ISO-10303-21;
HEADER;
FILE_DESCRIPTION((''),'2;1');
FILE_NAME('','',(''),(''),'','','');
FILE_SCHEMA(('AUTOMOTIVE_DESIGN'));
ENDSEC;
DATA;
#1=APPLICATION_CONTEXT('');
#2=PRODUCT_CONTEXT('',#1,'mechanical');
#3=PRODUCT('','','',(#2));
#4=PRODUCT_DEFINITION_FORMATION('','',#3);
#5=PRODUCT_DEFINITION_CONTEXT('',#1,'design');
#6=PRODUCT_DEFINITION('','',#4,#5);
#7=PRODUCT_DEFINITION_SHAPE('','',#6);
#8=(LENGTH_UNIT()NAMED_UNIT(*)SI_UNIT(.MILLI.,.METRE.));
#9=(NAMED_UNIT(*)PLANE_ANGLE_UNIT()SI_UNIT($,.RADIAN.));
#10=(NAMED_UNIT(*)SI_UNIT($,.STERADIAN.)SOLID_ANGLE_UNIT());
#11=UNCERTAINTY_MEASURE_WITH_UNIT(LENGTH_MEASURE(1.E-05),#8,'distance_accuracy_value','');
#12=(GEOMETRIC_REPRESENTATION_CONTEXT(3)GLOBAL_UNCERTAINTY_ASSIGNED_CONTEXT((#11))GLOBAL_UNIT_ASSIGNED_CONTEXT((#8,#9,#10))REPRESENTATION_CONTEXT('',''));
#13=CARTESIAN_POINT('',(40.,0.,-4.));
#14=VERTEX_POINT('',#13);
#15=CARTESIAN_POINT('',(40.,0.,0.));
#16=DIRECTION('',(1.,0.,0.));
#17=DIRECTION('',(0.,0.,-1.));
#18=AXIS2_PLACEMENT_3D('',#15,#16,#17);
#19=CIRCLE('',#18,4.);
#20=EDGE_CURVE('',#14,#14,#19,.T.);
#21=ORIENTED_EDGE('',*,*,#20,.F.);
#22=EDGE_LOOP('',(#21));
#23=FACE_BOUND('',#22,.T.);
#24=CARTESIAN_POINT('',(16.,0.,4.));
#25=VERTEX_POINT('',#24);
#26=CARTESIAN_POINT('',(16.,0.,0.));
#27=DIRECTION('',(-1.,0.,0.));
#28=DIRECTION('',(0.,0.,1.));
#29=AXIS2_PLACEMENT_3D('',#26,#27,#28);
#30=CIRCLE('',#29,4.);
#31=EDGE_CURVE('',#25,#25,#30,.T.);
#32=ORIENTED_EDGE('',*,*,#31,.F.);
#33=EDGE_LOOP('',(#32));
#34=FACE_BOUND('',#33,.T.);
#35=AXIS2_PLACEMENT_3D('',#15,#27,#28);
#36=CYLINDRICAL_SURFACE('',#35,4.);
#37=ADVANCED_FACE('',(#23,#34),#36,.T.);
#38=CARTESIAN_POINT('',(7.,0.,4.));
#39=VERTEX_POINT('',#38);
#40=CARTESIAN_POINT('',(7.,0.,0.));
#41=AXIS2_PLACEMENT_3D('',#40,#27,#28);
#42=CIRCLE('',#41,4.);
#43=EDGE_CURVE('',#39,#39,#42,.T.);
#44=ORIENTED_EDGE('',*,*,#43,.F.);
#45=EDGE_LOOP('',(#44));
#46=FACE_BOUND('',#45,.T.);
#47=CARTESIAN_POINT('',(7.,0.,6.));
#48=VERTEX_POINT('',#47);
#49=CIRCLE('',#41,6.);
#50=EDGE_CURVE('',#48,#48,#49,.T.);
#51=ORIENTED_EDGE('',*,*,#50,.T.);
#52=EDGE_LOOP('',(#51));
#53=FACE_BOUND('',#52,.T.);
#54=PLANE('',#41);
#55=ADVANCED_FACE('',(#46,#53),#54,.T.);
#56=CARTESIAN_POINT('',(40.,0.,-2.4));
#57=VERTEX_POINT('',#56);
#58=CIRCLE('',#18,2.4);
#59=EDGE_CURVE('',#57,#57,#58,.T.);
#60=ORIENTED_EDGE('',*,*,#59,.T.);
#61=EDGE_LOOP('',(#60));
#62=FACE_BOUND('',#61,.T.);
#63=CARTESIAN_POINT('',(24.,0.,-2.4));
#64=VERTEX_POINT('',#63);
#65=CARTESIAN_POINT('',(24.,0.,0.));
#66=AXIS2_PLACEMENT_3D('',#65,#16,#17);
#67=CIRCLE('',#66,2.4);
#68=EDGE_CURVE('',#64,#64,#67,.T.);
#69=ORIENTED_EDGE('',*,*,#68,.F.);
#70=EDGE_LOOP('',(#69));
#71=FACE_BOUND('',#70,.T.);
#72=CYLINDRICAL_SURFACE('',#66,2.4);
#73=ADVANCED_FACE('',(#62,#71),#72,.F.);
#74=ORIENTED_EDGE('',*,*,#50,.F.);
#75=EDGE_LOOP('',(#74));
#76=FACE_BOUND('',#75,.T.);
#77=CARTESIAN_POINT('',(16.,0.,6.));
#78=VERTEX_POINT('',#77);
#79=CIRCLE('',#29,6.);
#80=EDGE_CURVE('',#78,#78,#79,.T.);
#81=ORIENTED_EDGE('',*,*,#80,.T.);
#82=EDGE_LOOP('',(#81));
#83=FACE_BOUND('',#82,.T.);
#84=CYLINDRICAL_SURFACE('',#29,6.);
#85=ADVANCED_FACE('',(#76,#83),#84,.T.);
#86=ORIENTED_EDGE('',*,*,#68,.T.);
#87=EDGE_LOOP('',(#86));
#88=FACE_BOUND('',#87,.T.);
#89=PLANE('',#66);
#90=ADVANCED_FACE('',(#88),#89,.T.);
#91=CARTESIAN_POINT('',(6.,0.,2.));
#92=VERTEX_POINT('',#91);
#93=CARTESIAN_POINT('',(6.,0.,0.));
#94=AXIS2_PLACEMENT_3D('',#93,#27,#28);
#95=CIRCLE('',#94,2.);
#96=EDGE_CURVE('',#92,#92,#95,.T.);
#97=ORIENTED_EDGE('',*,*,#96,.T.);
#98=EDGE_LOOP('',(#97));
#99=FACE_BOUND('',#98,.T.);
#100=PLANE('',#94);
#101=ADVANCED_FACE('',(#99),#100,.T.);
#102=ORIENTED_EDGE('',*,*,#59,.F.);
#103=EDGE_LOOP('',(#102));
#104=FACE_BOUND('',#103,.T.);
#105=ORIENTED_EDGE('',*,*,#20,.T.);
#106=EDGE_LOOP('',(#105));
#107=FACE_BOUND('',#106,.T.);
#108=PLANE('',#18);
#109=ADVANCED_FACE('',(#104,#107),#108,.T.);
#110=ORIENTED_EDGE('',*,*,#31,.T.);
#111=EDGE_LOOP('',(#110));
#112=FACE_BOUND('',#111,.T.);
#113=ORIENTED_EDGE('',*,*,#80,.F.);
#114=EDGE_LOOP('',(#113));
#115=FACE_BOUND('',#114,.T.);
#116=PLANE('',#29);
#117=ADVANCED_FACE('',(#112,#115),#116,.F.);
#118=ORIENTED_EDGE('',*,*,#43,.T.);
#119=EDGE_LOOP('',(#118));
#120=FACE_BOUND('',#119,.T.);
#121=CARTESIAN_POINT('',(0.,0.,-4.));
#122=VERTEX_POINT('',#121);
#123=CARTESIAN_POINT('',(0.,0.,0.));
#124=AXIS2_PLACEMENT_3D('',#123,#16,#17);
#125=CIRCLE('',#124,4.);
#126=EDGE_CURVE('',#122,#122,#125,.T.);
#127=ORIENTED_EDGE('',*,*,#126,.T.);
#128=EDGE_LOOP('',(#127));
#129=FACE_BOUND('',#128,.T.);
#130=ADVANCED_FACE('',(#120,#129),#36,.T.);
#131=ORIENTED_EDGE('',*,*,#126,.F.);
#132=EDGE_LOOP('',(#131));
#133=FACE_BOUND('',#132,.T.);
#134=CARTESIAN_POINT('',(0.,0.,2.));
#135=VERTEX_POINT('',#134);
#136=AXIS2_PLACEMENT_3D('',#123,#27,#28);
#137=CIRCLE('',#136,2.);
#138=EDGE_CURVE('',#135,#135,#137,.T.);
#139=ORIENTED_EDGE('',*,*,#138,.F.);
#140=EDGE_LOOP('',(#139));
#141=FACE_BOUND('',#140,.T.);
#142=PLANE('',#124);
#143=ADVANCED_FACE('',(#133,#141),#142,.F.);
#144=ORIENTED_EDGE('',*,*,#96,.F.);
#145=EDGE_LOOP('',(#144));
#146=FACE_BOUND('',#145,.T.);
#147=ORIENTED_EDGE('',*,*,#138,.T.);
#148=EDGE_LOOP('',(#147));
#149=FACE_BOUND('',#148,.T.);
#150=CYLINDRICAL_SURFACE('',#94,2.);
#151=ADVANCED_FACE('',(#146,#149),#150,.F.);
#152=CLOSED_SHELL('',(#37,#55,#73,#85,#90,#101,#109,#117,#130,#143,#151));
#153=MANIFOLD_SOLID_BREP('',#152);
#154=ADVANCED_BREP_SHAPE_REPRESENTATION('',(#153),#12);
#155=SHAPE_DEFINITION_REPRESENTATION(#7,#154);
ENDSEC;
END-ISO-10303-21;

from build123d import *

# Parameters (mm, degrees)
SKETCH1_R           = 4
BOSS_EXTRUDE1_DEPTH = 40
SKETCH2_R           = 2
CUT_EXTRUDE1_DEPTH  = 6
BOSS_EXTRUDE2_START = -7
SKETCH3_R           = 6
SKETCH3_R_2         = 2
BOSS_EXTRUDE2_DEPTH = 9
SKETCH4_R           = 2.4
CUT_EXTRUDE2_DEPTH  = 16


with BuildPart() as part:
    # Sketch1 → Boss-Extrude1 (new body)
    with BuildSketch(Plane(origin=(0, 0, 0), x_dir=(0, 0, -1), z_dir=(1, 0, 0))):
        Circle(SKETCH1_R)
    extrude(amount=BOSS_EXTRUDE1_DEPTH)

    # Sketch2 → Cut-Extrude1 (cut)
    with BuildSketch(Plane.ZY):
        Circle(SKETCH2_R)
    extrude(amount=-CUT_EXTRUDE1_DEPTH, mode=Mode.SUBTRACT)

    # Sketch3 → Boss-Extrude2 (add)
    with BuildSketch(Plane.ZY.offset(BOSS_EXTRUDE2_START)):
        Circle(SKETCH3_R)
        Circle(SKETCH3_R_2, mode=Mode.SUBTRACT)
    extrude(amount=-BOSS_EXTRUDE2_DEPTH)

    # Sketch4 → Cut-Extrude2 (cut)
    with BuildSketch(Plane(origin=(40, 0, 0), x_dir=(0, 0, -1), z_dir=(1, 0, 0))):
        Circle(SKETCH4_R)
    extrude(amount=-CUT_EXTRUDE2_DEPTH, mode=Mode.SUBTRACT)


solid = part.part
